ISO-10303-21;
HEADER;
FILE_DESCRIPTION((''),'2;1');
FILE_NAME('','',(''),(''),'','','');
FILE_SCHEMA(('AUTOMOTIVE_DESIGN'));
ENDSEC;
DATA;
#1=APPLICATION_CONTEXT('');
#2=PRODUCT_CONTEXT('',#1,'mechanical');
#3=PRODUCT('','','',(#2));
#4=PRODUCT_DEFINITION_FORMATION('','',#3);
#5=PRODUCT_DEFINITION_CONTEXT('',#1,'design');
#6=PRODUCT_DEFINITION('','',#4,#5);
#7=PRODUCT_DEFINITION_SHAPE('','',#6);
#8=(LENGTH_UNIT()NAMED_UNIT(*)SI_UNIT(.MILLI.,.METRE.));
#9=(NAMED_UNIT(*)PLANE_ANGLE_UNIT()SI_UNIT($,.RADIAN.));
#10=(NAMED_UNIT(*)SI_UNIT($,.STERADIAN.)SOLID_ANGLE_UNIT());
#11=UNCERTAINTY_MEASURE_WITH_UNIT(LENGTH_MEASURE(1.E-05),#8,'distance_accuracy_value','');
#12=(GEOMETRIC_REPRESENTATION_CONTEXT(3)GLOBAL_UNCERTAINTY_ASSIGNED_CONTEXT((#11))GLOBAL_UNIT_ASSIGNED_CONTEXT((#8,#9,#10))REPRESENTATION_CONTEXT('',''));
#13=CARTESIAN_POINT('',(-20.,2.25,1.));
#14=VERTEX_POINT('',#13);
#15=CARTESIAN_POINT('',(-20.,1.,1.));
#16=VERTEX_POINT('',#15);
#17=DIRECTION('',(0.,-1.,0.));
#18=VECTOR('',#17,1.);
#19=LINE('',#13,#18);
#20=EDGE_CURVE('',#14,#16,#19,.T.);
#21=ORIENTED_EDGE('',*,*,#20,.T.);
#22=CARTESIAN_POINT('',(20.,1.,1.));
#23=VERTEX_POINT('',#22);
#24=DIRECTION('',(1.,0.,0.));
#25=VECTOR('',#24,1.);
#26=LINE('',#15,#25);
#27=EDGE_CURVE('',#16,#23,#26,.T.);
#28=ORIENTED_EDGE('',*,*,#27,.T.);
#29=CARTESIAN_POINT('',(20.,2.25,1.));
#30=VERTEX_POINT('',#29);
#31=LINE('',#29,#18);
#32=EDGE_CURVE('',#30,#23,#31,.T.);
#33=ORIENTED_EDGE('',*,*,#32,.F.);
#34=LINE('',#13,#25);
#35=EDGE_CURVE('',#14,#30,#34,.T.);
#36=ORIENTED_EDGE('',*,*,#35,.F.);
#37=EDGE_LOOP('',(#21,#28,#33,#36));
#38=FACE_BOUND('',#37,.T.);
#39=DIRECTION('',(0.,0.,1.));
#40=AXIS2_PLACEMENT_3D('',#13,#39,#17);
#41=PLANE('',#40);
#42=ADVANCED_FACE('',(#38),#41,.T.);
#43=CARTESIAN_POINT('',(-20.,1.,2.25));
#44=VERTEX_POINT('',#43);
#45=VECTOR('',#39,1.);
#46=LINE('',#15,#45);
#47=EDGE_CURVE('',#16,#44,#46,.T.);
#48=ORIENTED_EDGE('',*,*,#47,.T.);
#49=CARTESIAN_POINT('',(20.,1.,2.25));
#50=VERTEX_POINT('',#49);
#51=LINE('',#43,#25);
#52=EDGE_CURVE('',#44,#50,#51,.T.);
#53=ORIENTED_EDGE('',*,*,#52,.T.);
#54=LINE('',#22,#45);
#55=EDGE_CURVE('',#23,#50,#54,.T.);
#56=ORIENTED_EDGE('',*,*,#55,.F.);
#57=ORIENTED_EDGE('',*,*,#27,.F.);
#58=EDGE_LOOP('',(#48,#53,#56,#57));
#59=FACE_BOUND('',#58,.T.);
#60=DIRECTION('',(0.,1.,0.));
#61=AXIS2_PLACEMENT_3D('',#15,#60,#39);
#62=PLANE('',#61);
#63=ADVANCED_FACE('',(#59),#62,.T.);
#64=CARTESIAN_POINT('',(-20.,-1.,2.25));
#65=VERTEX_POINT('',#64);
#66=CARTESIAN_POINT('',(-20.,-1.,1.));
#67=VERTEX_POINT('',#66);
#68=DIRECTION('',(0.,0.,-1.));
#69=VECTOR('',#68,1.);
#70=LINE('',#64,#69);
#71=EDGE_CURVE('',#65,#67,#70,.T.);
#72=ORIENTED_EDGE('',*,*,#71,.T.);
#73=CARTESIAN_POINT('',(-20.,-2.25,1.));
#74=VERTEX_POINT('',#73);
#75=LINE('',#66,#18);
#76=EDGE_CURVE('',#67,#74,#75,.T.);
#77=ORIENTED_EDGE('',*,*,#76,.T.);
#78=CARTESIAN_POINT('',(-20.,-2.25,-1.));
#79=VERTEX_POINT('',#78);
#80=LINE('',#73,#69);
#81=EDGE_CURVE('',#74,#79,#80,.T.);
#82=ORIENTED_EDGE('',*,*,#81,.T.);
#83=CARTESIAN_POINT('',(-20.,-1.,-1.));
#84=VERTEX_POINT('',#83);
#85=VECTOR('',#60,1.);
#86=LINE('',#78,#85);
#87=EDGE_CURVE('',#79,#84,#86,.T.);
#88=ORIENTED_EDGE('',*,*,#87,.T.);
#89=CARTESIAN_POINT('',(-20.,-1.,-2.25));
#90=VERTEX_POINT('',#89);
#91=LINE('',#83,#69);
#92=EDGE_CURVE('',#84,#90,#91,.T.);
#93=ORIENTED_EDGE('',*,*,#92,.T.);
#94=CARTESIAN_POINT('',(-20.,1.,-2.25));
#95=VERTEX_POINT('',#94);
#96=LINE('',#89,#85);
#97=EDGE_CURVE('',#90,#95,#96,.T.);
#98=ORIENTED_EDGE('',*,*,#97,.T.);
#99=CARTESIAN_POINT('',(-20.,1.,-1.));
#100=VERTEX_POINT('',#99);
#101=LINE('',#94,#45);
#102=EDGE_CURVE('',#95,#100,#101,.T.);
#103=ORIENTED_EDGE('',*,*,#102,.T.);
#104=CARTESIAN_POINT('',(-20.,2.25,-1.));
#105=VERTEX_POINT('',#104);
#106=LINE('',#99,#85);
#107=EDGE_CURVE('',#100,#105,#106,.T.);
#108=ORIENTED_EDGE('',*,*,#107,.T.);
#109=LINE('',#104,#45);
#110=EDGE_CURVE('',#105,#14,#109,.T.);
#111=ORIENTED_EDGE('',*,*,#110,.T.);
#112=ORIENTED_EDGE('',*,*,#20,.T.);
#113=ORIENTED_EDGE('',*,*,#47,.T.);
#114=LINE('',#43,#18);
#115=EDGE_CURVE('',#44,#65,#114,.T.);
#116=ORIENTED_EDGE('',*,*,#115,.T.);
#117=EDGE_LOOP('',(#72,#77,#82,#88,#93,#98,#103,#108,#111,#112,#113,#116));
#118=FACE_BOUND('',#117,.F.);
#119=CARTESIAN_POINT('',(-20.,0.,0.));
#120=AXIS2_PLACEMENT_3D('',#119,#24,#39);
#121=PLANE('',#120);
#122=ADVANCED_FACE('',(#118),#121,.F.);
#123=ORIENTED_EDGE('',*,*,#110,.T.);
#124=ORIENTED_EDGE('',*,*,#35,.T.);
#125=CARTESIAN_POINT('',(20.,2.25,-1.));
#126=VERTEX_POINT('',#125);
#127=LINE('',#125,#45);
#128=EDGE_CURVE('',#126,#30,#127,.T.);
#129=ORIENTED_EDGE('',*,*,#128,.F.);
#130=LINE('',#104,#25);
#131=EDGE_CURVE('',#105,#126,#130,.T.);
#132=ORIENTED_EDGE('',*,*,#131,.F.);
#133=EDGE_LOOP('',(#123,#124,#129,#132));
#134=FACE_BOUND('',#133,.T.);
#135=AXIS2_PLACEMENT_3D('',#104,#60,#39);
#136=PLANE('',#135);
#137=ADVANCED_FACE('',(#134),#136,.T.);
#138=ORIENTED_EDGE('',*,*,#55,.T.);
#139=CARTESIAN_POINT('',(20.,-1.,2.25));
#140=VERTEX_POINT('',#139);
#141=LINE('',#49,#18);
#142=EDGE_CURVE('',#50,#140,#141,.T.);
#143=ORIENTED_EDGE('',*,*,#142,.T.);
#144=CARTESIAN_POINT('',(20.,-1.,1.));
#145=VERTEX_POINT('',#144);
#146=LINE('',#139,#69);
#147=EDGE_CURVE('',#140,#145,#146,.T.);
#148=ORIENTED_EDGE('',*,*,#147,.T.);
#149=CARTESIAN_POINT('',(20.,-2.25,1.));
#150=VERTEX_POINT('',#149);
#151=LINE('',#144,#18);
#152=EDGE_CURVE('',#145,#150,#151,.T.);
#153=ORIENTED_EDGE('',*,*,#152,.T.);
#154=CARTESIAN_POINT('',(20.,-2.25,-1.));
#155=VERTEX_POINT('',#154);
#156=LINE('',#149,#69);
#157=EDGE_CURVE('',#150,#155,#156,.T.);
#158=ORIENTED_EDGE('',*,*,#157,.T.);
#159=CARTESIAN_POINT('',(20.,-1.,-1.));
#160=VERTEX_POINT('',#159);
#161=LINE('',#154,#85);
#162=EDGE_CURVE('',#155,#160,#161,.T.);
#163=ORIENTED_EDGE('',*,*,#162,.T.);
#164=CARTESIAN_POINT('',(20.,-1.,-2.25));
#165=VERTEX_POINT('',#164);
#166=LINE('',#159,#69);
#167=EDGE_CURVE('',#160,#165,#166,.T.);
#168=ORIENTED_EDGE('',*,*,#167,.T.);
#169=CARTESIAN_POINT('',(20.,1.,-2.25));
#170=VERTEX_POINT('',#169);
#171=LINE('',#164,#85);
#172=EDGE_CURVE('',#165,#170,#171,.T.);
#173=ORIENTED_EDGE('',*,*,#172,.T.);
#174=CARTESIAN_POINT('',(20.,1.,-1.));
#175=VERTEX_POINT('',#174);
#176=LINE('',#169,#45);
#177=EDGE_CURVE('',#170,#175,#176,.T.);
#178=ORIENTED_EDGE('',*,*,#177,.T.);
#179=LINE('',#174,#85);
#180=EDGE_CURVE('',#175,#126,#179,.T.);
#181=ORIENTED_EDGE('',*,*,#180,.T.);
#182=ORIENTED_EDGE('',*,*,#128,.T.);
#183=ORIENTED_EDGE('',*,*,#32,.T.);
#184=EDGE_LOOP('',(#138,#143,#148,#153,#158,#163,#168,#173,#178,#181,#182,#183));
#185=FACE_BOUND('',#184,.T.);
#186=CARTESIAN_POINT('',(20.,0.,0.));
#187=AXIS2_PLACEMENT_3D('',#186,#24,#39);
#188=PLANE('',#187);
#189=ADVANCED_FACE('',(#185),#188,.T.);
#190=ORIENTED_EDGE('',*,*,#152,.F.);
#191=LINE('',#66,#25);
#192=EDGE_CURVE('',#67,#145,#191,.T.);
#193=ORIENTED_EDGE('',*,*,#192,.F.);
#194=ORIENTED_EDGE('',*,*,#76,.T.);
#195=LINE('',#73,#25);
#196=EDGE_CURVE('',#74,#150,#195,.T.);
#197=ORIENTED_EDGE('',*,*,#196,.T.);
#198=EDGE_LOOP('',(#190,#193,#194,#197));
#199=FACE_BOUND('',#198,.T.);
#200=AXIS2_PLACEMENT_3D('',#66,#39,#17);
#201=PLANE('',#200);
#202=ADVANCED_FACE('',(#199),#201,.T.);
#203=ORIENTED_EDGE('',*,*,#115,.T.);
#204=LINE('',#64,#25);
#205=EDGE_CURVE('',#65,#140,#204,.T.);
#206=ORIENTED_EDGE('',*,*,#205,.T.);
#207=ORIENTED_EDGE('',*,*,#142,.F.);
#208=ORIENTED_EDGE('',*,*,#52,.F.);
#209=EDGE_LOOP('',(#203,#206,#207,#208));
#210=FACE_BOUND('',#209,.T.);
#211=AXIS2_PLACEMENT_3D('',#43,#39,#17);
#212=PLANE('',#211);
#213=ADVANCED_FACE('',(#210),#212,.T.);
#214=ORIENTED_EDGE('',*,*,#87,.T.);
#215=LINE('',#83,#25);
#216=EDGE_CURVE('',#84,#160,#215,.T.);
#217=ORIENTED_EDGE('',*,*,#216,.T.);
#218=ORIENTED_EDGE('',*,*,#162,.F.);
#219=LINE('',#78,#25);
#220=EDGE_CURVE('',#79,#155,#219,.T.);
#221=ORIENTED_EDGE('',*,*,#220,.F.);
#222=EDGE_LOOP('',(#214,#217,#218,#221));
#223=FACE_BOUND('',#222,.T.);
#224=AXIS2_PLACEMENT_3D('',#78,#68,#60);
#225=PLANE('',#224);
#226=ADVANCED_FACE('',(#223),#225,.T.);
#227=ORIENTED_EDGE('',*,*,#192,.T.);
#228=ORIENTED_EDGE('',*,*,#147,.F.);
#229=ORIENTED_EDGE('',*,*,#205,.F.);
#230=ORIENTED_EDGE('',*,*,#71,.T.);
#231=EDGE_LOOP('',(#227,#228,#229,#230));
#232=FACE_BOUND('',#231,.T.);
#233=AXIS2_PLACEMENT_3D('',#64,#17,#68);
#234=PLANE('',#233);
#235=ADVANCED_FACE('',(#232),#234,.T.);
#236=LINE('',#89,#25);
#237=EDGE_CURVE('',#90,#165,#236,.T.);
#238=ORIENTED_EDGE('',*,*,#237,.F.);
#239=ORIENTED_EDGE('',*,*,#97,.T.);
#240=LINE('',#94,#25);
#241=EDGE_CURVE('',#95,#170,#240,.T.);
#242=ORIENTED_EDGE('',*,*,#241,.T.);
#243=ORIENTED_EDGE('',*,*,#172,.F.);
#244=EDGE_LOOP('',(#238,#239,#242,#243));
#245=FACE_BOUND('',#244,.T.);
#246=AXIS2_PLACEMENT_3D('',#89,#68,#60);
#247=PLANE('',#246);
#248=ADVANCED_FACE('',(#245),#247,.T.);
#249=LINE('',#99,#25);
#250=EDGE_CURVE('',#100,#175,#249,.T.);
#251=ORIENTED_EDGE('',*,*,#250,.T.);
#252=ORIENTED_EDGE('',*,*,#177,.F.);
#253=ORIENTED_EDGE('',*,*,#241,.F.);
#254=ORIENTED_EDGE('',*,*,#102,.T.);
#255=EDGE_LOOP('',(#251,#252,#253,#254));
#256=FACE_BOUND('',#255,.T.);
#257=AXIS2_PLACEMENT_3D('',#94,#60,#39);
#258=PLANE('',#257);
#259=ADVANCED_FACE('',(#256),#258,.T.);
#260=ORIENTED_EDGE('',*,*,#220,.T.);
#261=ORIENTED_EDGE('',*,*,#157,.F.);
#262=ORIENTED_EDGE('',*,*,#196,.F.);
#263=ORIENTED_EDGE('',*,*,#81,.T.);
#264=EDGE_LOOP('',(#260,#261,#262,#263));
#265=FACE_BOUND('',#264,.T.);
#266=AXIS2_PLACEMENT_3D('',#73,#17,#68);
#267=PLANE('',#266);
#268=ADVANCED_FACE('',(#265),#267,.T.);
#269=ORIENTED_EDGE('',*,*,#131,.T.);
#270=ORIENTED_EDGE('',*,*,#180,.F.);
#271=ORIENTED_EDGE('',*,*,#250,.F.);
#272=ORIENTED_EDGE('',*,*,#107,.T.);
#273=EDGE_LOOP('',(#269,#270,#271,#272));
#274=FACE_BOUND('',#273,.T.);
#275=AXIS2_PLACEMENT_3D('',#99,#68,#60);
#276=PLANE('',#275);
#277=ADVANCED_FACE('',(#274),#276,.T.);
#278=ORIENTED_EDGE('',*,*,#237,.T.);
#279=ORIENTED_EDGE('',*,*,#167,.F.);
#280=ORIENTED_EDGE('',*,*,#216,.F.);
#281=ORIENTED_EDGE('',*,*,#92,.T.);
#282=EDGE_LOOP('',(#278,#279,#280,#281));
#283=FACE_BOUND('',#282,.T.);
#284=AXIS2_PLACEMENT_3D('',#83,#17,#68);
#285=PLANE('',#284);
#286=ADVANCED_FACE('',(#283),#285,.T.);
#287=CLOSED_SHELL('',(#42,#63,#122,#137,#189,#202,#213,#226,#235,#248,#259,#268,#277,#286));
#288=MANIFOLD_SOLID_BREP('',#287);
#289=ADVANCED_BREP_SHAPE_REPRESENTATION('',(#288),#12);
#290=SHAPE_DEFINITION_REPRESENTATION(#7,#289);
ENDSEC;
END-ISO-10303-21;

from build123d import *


with BuildPart() as f3:
    # F3: sweep along a path in F0
    with BuildLine(Plane.XZ) as f3_path:
        Line((-20, 0), (20, 0))
    # F2 (on face) → F3 (sweep)
    with BuildSketch(Plane.YZ.offset(-20)):
        Polygon((-1, -1), (-1, -2.25), (1, -2.25), (1, -1), (2.25, -1), (2.25, 1), (1, 1), (1, 2.25), (-1, 2.25), (-1, 1), (-2.25, 1), (-2.25, -1), align=None)
    sweep(path=f3_path.line)


solid = f3.part
